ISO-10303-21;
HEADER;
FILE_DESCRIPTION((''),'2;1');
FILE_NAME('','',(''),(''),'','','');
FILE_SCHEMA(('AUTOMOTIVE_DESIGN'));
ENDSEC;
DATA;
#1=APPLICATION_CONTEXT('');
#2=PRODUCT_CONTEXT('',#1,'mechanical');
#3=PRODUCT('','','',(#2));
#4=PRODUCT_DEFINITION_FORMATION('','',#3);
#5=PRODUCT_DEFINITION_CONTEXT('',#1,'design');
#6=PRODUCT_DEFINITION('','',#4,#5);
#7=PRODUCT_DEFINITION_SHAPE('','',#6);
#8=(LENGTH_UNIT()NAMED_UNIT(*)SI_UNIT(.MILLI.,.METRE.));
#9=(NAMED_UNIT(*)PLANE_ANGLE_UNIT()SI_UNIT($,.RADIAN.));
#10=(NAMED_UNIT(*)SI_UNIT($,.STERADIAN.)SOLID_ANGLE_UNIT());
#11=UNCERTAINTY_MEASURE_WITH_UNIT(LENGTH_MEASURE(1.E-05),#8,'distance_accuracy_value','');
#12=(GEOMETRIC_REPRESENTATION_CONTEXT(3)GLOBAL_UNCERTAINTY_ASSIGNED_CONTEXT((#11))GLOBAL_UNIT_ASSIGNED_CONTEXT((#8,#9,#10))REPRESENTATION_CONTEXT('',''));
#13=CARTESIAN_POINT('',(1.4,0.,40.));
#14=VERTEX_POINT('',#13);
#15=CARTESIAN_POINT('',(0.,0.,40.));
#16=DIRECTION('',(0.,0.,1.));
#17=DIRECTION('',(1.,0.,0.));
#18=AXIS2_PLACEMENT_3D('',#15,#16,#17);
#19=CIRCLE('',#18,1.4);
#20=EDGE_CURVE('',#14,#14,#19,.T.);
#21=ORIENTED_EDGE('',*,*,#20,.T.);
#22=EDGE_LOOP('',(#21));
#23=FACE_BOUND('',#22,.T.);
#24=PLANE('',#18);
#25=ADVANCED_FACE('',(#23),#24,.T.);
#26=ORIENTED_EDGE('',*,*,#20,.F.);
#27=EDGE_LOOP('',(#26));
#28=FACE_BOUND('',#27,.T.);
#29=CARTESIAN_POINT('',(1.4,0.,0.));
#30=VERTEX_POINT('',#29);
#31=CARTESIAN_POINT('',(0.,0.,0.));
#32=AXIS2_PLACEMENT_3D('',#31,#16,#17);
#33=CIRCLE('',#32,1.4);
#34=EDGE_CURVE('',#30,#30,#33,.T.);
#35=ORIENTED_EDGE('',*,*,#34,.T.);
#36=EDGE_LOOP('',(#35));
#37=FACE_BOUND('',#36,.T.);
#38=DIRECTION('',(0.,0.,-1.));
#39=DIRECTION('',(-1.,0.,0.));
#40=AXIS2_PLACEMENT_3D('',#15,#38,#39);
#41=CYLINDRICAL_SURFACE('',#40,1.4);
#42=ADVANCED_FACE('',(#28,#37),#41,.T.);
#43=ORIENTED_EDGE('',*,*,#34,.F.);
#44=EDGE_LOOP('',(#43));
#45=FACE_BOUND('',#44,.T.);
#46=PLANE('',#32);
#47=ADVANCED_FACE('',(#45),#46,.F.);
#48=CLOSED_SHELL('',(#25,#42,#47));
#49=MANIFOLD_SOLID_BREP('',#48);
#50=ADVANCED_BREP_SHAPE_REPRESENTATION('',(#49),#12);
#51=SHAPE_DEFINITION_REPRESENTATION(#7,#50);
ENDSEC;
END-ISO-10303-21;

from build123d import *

# Parameters (mm, degrees)
SKETCH_1_R      = 1.4
EXTRUDE_1_DEPTH = 40


with BuildPart() as part:
    # 草图1 → 凸台-拉伸1 (new body)
    with BuildSketch(Plane.XY):
        Circle(SKETCH_1_R)
    extrude(amount=EXTRUDE_1_DEPTH)


solid = part.part
